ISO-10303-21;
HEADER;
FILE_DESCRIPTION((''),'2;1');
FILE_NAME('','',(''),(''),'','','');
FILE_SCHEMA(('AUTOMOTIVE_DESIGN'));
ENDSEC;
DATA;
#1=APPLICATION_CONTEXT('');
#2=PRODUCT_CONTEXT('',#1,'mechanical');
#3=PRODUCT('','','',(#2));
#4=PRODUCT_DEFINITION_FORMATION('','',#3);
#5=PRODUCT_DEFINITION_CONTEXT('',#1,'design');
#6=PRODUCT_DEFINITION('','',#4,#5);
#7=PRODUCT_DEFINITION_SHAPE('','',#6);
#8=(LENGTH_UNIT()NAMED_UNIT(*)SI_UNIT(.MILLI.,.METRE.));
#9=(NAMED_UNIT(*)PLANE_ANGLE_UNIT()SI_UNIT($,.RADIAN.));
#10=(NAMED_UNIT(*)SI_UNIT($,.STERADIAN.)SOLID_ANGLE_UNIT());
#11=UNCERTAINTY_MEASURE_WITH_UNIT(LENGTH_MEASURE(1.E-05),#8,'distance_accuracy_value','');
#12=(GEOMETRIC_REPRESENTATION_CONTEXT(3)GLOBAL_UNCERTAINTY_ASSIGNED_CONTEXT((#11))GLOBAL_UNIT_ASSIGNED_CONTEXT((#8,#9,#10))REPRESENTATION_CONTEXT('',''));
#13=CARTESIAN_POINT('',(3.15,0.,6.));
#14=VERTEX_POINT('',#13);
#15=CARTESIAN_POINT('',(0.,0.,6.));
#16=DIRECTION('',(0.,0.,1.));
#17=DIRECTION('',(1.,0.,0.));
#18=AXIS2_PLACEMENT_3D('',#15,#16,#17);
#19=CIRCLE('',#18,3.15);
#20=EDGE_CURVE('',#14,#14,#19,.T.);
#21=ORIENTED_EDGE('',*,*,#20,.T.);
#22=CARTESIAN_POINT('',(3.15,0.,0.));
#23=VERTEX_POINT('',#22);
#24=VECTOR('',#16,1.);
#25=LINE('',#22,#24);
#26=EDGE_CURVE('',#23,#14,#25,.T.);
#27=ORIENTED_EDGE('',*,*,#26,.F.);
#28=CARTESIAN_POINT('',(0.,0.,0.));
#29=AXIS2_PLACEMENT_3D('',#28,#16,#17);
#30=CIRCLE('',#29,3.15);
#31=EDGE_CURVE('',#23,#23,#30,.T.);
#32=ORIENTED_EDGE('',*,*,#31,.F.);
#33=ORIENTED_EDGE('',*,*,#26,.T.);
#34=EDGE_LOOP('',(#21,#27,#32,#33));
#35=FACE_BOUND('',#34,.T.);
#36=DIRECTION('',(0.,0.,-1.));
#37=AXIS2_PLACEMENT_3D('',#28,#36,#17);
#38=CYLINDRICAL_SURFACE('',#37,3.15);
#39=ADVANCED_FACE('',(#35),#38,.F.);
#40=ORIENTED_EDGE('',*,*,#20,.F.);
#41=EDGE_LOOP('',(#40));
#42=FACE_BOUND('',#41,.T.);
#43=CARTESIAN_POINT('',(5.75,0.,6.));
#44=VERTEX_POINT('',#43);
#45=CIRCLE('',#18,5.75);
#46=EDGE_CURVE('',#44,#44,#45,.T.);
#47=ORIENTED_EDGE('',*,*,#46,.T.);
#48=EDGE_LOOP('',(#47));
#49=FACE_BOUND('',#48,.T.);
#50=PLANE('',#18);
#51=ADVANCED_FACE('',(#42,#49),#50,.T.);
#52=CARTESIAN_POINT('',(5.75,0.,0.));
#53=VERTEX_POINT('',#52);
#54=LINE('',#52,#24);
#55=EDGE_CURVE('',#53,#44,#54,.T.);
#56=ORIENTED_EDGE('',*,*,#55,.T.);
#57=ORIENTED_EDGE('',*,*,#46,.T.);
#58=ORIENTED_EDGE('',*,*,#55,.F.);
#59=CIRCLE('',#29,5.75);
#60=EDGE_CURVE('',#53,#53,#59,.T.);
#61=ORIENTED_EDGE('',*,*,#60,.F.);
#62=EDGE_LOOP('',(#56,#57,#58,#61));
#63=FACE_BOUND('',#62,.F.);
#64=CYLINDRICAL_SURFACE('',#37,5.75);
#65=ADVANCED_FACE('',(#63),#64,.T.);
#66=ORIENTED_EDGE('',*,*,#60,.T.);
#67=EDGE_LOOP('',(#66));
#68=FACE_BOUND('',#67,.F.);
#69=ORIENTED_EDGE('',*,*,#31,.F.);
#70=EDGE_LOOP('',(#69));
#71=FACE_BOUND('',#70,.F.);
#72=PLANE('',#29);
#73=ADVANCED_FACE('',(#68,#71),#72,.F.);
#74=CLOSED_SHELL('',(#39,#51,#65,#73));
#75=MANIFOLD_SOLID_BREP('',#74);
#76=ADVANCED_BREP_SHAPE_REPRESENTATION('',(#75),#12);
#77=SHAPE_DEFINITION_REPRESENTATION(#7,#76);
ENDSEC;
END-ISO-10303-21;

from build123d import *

# Parameters (mm, degrees)
SKETCH_R   = 5.75
SKETCH_R_2 = 3.15
PAD_DEPTH  = 6


with BuildPart() as part:
    # Sketch → Pad (new body)
    with BuildSketch(Plane.XY):
        Circle(SKETCH_R)
        Circle(SKETCH_R_2, mode=Mode.SUBTRACT)
    extrude(amount=PAD_DEPTH)


solid = part.part
